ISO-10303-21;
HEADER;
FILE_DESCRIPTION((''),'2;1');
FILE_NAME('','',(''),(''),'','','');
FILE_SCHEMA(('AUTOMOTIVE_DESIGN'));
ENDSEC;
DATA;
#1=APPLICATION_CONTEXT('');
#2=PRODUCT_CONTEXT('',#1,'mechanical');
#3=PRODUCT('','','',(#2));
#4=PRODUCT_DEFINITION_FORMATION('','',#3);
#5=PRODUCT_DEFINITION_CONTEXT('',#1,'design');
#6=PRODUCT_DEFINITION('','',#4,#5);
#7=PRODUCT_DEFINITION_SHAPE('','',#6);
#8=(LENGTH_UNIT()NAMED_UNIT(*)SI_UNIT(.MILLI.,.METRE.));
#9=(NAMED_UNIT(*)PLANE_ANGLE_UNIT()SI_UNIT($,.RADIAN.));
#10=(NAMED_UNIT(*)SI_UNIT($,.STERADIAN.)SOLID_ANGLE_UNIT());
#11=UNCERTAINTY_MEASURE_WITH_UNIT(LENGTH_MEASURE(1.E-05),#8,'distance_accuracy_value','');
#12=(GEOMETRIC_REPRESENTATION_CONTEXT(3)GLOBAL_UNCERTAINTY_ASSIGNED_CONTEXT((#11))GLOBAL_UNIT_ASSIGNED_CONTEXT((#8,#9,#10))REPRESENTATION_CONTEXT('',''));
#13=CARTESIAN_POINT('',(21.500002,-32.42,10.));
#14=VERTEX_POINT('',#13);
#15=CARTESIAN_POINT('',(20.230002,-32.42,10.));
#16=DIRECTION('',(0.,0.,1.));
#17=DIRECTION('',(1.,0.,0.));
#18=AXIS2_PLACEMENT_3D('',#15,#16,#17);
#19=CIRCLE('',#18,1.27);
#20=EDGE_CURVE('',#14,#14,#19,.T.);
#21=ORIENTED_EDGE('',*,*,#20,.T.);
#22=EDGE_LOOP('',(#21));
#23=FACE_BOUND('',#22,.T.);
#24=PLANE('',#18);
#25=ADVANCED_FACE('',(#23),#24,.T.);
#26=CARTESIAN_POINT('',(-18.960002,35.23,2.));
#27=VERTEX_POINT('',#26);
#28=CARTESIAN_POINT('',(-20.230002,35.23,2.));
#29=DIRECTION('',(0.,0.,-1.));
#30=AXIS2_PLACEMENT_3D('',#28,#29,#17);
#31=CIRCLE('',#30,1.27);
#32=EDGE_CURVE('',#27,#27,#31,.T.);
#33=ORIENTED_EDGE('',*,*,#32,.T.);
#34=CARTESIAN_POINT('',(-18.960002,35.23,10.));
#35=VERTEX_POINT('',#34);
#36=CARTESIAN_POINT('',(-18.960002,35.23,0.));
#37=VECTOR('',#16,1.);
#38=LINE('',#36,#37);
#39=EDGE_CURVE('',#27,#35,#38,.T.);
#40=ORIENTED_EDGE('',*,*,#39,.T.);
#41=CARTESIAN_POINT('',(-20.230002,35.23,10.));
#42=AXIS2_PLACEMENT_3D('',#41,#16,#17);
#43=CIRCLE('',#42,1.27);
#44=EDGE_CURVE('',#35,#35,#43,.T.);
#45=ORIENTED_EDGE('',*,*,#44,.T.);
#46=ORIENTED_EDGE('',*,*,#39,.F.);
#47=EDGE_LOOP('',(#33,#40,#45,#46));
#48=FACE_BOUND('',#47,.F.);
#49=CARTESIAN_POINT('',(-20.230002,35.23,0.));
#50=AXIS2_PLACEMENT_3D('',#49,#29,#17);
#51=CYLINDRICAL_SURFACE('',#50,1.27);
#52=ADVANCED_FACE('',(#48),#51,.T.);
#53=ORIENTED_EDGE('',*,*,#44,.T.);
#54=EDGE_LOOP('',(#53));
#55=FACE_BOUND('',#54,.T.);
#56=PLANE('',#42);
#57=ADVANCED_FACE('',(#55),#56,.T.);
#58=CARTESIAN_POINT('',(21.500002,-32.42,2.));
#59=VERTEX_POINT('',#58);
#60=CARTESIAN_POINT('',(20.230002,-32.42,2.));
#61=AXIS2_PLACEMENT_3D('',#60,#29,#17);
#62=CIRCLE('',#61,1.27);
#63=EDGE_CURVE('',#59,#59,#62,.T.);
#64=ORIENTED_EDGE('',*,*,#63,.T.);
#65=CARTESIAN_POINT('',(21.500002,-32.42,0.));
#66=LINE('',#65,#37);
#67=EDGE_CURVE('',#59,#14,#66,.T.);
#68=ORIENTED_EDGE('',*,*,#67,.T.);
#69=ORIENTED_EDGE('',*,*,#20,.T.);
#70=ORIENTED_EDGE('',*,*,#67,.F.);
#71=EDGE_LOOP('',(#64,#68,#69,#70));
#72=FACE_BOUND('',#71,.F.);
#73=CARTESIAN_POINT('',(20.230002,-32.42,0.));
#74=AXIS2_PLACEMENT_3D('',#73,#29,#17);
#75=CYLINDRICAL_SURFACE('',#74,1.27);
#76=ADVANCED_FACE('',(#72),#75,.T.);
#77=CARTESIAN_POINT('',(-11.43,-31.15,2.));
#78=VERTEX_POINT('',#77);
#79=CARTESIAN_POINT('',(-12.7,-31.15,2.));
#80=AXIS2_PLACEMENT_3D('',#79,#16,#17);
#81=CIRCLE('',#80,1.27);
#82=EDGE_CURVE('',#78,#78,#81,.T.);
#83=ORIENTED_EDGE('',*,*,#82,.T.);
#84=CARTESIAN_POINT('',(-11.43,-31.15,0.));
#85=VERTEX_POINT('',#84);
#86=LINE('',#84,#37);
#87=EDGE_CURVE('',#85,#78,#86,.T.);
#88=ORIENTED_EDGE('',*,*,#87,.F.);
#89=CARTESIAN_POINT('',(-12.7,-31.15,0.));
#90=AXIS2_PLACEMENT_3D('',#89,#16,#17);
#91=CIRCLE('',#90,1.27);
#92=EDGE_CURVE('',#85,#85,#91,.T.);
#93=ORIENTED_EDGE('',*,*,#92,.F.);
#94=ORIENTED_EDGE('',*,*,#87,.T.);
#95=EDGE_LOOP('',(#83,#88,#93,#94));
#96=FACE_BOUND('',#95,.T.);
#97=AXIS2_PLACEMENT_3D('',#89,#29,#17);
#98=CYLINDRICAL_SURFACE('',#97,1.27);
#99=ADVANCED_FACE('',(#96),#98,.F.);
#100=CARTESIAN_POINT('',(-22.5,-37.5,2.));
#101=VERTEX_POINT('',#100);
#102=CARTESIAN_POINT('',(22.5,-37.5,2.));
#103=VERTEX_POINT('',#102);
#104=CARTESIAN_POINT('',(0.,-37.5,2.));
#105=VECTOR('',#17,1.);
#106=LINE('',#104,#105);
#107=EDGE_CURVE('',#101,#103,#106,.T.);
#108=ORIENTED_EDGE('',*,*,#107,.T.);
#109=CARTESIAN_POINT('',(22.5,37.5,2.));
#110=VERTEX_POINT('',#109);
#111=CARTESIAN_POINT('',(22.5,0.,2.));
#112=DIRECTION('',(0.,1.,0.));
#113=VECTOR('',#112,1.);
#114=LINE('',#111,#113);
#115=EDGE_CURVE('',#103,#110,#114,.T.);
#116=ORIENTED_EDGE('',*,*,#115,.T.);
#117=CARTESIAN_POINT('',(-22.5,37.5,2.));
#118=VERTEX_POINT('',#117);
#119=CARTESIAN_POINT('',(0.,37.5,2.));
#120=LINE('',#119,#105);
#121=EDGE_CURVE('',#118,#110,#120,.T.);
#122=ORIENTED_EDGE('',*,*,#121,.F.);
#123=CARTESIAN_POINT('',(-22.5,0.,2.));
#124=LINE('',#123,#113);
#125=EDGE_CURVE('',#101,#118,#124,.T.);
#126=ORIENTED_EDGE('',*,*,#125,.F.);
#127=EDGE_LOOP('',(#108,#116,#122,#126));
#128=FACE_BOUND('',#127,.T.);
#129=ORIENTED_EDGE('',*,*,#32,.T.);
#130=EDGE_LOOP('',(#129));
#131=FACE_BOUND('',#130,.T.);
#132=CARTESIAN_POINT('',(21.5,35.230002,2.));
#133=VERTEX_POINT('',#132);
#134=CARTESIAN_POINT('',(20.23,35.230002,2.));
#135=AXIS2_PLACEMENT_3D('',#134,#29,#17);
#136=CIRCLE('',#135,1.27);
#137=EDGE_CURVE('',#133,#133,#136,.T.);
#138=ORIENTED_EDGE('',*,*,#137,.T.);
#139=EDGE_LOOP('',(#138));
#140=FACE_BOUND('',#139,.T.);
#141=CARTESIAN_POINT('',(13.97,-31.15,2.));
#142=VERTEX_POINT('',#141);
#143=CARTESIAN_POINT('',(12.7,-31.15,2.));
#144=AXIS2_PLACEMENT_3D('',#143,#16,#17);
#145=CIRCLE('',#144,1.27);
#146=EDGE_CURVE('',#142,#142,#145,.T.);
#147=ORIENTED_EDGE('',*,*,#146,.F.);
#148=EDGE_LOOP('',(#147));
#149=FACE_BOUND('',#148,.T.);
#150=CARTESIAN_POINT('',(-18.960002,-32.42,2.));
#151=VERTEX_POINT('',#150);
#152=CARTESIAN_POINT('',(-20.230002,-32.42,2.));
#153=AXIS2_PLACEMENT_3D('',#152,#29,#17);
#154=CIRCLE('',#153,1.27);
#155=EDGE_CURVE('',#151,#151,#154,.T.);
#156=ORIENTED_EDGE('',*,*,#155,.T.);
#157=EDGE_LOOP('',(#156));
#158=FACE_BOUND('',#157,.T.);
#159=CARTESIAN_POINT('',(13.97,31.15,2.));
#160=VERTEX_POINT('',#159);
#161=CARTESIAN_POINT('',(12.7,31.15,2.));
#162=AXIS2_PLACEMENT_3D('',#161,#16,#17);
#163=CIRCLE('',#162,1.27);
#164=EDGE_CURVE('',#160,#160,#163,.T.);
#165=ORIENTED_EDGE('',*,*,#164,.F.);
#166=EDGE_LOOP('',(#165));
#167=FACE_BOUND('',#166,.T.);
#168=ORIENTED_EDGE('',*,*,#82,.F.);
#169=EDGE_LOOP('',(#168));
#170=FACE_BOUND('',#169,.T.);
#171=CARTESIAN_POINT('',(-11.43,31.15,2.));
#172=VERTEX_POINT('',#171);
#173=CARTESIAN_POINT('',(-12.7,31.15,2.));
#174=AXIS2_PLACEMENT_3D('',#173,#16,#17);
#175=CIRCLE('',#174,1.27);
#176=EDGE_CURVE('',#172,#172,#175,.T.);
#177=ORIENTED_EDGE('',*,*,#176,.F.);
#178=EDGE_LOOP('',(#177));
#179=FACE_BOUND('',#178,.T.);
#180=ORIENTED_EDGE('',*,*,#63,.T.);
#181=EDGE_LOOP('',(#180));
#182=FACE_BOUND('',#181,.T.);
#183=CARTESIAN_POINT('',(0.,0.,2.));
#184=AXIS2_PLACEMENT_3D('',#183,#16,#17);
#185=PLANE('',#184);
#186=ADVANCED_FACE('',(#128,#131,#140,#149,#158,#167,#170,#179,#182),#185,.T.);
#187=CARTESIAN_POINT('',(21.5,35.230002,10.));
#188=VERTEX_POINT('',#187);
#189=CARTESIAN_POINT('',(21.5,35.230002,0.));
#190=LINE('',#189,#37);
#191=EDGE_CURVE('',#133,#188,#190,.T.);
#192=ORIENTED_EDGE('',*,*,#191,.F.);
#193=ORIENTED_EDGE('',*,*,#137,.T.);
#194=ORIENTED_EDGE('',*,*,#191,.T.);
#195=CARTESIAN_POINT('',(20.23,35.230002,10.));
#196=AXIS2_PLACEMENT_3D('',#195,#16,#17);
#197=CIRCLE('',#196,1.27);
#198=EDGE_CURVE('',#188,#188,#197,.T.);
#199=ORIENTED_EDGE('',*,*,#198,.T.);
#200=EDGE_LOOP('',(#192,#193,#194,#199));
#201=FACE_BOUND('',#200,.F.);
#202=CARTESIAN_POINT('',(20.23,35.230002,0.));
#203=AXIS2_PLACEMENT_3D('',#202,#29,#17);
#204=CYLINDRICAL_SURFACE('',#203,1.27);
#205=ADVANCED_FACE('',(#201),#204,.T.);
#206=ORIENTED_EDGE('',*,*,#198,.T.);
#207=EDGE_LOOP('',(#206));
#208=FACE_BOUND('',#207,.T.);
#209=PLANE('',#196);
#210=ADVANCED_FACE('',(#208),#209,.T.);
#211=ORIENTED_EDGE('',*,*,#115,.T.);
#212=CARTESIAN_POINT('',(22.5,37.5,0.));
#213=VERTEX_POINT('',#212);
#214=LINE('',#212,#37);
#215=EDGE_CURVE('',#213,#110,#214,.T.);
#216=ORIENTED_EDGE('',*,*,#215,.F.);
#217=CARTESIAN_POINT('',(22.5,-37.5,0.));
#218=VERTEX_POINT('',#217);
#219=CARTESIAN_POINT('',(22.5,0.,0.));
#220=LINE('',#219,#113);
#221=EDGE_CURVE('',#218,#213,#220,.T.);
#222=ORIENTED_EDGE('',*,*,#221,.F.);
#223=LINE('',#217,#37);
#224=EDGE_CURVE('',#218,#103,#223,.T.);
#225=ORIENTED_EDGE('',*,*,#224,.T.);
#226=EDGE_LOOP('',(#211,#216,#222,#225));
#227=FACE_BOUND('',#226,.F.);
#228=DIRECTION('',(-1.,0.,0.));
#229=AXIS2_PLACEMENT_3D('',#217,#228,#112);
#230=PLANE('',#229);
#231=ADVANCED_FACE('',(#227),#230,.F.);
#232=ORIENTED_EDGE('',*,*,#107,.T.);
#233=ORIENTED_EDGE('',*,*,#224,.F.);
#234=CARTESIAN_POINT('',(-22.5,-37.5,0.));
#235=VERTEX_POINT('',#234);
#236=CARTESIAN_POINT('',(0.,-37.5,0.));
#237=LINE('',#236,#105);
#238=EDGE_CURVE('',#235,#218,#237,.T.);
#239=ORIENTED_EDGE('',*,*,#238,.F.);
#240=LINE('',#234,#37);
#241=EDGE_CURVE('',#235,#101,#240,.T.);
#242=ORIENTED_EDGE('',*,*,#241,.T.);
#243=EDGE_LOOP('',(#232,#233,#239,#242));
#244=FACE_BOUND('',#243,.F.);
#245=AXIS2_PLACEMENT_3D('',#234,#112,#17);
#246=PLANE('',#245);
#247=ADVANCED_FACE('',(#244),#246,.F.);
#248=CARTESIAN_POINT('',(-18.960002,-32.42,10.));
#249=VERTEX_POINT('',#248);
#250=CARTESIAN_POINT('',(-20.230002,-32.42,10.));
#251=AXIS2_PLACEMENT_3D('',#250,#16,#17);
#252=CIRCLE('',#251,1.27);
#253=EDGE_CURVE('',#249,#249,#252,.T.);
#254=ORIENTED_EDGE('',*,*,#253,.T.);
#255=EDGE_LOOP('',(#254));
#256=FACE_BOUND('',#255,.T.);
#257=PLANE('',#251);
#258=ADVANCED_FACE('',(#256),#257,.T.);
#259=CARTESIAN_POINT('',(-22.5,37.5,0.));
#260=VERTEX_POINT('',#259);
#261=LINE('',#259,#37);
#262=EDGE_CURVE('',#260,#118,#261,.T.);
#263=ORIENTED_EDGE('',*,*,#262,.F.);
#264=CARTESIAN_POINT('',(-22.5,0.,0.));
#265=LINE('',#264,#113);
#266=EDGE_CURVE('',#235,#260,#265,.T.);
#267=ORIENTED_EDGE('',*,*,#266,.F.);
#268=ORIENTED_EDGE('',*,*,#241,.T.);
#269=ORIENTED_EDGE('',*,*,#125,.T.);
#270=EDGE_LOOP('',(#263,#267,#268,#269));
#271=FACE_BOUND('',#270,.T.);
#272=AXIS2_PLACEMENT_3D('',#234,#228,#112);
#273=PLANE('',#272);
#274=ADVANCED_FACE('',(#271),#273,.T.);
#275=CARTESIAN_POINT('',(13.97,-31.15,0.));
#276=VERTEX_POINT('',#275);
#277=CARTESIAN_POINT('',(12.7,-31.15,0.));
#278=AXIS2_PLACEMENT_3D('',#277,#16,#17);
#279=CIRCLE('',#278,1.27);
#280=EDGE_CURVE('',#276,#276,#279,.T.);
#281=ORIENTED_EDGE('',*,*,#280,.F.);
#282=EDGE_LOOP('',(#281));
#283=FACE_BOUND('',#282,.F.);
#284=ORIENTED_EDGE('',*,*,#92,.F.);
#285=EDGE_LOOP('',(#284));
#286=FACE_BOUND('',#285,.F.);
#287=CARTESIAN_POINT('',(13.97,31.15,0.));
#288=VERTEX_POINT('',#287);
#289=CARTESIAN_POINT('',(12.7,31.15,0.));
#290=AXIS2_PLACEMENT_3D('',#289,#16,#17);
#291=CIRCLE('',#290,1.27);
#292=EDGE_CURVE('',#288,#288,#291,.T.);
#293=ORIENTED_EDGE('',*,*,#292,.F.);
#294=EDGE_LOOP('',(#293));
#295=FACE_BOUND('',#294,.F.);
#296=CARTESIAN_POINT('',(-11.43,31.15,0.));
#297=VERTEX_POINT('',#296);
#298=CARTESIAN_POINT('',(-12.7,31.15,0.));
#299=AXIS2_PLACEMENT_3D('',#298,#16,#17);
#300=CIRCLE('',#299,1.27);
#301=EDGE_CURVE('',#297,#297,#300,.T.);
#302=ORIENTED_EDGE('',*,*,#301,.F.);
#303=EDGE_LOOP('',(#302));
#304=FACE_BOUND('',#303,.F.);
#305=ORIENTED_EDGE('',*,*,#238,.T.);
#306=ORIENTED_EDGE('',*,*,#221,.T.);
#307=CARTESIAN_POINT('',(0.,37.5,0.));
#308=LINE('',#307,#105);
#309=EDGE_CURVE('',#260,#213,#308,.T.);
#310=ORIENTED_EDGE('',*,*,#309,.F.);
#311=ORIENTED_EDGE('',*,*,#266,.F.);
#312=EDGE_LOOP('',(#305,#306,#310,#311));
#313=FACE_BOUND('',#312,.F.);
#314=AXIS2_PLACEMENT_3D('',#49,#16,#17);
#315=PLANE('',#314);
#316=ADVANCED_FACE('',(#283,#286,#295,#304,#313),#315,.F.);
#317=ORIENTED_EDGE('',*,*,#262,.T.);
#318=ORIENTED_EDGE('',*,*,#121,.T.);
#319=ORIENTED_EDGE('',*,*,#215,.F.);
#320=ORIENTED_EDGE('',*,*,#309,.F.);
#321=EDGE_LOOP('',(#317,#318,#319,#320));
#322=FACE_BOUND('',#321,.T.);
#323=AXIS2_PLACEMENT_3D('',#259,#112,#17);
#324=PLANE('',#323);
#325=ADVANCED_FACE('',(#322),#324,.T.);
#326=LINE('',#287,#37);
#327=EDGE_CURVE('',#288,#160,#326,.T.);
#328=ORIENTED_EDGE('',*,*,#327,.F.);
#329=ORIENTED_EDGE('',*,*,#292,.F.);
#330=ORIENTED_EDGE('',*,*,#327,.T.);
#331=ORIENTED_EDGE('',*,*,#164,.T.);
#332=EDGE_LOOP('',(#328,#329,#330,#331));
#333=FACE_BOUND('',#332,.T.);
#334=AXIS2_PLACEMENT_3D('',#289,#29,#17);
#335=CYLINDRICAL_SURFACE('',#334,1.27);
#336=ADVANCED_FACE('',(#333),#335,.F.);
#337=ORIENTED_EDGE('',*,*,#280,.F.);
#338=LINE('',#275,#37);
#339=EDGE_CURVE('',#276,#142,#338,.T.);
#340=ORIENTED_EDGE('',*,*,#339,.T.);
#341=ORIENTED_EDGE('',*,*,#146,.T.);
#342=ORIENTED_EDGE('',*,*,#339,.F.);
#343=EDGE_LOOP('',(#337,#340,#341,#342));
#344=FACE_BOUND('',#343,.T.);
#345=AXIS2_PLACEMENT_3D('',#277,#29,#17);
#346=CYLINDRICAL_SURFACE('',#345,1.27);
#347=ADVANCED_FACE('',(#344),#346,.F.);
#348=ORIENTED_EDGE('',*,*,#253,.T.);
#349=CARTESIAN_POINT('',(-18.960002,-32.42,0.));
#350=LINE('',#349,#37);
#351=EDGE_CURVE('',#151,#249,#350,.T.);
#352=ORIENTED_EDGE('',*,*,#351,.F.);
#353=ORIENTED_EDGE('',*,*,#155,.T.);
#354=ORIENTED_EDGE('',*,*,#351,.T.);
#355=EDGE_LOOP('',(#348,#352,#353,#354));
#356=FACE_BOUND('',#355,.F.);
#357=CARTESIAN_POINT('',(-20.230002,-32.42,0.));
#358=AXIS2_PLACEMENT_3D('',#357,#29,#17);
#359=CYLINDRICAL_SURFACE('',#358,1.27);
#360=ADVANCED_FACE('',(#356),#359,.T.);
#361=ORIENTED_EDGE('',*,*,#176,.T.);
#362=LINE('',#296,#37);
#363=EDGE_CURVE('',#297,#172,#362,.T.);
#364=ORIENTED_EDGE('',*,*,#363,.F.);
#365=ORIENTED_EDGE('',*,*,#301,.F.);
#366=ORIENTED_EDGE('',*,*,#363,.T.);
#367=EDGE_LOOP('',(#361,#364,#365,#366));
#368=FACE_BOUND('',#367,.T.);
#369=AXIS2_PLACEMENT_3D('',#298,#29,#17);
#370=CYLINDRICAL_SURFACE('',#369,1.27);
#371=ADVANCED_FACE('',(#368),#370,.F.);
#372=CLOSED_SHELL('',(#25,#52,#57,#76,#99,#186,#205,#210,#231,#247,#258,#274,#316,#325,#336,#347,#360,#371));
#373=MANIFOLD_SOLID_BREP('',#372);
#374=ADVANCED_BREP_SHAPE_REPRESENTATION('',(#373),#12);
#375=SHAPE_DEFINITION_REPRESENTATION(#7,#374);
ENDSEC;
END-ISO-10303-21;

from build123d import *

# Parameters (mm, degrees)
F0_W     = 45
F0_H     = 75
F0_R     = 1.27
F1_DEPTH = 2
F2_DEPTH = 10


with BuildPart() as f1:
    # F0 (on Top) → F1 (new body)
    with BuildSketch(Plane.XY):
        Rectangle(F0_W, F0_H)
        with Locations((-20.230002, -32.42)):
            Circle(F0_R, mode=Mode.SUBTRACT)
        with Locations((-12.7, -31.15)):
            Circle(F0_R, mode=Mode.SUBTRACT)
        with Locations((12.7, -31.15)):
            Circle(F0_R, mode=Mode.SUBTRACT)
        with Locations((20.230002, -32.42)):
            Circle(F0_R, mode=Mode.SUBTRACT)
        with Locations((-20.230002, 35.23)):
            Circle(F0_R, mode=Mode.SUBTRACT)
        with Locations((-12.7, 31.15)):
            Circle(F0_R, mode=Mode.SUBTRACT)
        with Locations((12.7, 31.15)):
            Circle(F0_R, mode=Mode.SUBTRACT)
        with Locations((20.23, 35.230002)):
            Circle(F0_R, mode=Mode.SUBTRACT)
        with Locations((-20.230002, -32.42)):
            Circle(F0_R)
        with Locations((20.230002, -32.42)):
            Circle(F0_R)
        with Locations((20.23, 35.230002)):
            Circle(F0_R)
        with Locations((-20.230002, 35.23)):
            Circle(F0_R)
    extrude(amount=F1_DEPTH)

    # F0 (on Top) → F2 (join)
    with BuildSketch(Plane.XY):
        with Locations((-20.230002, 35.23)):
            Circle(F0_R)
        with Locations((20.230002, -32.42)):
            Circle(F0_R)
        with Locations((-20.230002, -32.42)):
            Circle(F0_R)
        with Locations((20.23, 35.230002)):
            Circle(F0_R)
    extrude(amount=F2_DEPTH)


solid = f1.part
